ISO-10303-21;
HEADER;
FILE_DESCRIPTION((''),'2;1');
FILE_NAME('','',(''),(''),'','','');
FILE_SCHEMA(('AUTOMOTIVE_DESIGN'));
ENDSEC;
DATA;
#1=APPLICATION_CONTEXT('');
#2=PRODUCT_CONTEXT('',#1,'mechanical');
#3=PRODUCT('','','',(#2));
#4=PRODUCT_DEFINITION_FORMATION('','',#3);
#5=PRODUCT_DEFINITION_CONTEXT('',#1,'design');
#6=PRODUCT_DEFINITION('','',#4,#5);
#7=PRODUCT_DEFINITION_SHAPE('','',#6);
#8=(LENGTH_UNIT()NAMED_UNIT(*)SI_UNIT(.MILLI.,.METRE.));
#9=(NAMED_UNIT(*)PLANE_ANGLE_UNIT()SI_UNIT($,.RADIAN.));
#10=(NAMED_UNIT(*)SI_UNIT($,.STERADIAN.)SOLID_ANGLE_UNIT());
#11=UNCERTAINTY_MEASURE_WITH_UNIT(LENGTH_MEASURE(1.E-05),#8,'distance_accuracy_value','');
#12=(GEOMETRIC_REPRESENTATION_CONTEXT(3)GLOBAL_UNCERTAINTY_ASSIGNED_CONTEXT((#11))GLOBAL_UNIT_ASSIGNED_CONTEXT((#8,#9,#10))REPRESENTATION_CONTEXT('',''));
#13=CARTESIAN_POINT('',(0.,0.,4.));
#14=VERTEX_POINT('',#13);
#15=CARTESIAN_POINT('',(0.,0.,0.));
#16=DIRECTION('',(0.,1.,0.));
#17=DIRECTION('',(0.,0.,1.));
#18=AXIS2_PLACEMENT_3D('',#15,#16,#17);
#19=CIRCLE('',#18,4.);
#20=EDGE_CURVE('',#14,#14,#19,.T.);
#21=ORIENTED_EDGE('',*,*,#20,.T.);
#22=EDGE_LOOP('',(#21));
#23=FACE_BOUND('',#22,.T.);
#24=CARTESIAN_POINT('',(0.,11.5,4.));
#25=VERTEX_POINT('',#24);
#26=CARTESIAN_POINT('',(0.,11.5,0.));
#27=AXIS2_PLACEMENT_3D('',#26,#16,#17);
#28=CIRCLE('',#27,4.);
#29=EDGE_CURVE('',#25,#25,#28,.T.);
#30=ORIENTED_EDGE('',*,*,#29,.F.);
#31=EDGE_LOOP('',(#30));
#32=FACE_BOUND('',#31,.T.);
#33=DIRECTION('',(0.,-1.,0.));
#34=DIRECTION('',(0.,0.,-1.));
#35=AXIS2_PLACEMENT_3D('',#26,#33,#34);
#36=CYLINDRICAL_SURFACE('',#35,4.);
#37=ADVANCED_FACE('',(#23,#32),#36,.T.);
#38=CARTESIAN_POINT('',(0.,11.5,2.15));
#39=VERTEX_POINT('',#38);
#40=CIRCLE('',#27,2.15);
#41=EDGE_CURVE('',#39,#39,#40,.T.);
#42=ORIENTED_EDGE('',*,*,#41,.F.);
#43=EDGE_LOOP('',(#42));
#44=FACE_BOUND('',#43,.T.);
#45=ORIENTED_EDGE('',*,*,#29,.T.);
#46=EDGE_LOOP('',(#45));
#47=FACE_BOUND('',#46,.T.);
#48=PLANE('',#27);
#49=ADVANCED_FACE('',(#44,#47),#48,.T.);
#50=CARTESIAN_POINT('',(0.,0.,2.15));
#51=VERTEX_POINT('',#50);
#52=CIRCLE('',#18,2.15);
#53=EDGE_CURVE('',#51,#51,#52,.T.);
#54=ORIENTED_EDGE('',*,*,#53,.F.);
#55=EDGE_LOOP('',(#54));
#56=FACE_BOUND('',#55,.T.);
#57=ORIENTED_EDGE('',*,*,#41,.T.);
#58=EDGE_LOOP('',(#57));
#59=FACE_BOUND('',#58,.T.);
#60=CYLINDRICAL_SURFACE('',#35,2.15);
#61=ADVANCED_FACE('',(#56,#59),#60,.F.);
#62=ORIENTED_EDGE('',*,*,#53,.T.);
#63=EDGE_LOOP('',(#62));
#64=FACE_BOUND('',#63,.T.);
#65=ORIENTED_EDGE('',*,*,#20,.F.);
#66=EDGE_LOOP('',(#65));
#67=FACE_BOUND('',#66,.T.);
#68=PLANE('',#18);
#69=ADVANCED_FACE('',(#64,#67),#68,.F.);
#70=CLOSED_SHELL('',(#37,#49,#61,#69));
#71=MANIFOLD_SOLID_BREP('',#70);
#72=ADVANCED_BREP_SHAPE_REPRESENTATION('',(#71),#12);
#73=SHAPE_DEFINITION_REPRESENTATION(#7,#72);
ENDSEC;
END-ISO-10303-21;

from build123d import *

# Parameters (mm, degrees)
SKETCH_1_R        = 4
SKETCH_1_R_2      = 2.15
EXTRUDE_311_DEPTH = 11.5


with BuildPart() as part:
    # Эскиз1 → Extrude 311 (new body)
    with BuildSketch(Plane(origin=(0, 0, 0), x_dir=(1, 0, 0), z_dir=(0, 1, 0))):
        with Locations(Location((0, 0, 0), (0, 0, 270))):
            Circle(SKETCH_1_R)
        with Locations(Location((0, 0, 0), (0, 0, 270))):
            Circle(SKETCH_1_R_2, mode=Mode.SUBTRACT)
    extrude(amount=EXTRUDE_311_DEPTH)


solid = part.part
